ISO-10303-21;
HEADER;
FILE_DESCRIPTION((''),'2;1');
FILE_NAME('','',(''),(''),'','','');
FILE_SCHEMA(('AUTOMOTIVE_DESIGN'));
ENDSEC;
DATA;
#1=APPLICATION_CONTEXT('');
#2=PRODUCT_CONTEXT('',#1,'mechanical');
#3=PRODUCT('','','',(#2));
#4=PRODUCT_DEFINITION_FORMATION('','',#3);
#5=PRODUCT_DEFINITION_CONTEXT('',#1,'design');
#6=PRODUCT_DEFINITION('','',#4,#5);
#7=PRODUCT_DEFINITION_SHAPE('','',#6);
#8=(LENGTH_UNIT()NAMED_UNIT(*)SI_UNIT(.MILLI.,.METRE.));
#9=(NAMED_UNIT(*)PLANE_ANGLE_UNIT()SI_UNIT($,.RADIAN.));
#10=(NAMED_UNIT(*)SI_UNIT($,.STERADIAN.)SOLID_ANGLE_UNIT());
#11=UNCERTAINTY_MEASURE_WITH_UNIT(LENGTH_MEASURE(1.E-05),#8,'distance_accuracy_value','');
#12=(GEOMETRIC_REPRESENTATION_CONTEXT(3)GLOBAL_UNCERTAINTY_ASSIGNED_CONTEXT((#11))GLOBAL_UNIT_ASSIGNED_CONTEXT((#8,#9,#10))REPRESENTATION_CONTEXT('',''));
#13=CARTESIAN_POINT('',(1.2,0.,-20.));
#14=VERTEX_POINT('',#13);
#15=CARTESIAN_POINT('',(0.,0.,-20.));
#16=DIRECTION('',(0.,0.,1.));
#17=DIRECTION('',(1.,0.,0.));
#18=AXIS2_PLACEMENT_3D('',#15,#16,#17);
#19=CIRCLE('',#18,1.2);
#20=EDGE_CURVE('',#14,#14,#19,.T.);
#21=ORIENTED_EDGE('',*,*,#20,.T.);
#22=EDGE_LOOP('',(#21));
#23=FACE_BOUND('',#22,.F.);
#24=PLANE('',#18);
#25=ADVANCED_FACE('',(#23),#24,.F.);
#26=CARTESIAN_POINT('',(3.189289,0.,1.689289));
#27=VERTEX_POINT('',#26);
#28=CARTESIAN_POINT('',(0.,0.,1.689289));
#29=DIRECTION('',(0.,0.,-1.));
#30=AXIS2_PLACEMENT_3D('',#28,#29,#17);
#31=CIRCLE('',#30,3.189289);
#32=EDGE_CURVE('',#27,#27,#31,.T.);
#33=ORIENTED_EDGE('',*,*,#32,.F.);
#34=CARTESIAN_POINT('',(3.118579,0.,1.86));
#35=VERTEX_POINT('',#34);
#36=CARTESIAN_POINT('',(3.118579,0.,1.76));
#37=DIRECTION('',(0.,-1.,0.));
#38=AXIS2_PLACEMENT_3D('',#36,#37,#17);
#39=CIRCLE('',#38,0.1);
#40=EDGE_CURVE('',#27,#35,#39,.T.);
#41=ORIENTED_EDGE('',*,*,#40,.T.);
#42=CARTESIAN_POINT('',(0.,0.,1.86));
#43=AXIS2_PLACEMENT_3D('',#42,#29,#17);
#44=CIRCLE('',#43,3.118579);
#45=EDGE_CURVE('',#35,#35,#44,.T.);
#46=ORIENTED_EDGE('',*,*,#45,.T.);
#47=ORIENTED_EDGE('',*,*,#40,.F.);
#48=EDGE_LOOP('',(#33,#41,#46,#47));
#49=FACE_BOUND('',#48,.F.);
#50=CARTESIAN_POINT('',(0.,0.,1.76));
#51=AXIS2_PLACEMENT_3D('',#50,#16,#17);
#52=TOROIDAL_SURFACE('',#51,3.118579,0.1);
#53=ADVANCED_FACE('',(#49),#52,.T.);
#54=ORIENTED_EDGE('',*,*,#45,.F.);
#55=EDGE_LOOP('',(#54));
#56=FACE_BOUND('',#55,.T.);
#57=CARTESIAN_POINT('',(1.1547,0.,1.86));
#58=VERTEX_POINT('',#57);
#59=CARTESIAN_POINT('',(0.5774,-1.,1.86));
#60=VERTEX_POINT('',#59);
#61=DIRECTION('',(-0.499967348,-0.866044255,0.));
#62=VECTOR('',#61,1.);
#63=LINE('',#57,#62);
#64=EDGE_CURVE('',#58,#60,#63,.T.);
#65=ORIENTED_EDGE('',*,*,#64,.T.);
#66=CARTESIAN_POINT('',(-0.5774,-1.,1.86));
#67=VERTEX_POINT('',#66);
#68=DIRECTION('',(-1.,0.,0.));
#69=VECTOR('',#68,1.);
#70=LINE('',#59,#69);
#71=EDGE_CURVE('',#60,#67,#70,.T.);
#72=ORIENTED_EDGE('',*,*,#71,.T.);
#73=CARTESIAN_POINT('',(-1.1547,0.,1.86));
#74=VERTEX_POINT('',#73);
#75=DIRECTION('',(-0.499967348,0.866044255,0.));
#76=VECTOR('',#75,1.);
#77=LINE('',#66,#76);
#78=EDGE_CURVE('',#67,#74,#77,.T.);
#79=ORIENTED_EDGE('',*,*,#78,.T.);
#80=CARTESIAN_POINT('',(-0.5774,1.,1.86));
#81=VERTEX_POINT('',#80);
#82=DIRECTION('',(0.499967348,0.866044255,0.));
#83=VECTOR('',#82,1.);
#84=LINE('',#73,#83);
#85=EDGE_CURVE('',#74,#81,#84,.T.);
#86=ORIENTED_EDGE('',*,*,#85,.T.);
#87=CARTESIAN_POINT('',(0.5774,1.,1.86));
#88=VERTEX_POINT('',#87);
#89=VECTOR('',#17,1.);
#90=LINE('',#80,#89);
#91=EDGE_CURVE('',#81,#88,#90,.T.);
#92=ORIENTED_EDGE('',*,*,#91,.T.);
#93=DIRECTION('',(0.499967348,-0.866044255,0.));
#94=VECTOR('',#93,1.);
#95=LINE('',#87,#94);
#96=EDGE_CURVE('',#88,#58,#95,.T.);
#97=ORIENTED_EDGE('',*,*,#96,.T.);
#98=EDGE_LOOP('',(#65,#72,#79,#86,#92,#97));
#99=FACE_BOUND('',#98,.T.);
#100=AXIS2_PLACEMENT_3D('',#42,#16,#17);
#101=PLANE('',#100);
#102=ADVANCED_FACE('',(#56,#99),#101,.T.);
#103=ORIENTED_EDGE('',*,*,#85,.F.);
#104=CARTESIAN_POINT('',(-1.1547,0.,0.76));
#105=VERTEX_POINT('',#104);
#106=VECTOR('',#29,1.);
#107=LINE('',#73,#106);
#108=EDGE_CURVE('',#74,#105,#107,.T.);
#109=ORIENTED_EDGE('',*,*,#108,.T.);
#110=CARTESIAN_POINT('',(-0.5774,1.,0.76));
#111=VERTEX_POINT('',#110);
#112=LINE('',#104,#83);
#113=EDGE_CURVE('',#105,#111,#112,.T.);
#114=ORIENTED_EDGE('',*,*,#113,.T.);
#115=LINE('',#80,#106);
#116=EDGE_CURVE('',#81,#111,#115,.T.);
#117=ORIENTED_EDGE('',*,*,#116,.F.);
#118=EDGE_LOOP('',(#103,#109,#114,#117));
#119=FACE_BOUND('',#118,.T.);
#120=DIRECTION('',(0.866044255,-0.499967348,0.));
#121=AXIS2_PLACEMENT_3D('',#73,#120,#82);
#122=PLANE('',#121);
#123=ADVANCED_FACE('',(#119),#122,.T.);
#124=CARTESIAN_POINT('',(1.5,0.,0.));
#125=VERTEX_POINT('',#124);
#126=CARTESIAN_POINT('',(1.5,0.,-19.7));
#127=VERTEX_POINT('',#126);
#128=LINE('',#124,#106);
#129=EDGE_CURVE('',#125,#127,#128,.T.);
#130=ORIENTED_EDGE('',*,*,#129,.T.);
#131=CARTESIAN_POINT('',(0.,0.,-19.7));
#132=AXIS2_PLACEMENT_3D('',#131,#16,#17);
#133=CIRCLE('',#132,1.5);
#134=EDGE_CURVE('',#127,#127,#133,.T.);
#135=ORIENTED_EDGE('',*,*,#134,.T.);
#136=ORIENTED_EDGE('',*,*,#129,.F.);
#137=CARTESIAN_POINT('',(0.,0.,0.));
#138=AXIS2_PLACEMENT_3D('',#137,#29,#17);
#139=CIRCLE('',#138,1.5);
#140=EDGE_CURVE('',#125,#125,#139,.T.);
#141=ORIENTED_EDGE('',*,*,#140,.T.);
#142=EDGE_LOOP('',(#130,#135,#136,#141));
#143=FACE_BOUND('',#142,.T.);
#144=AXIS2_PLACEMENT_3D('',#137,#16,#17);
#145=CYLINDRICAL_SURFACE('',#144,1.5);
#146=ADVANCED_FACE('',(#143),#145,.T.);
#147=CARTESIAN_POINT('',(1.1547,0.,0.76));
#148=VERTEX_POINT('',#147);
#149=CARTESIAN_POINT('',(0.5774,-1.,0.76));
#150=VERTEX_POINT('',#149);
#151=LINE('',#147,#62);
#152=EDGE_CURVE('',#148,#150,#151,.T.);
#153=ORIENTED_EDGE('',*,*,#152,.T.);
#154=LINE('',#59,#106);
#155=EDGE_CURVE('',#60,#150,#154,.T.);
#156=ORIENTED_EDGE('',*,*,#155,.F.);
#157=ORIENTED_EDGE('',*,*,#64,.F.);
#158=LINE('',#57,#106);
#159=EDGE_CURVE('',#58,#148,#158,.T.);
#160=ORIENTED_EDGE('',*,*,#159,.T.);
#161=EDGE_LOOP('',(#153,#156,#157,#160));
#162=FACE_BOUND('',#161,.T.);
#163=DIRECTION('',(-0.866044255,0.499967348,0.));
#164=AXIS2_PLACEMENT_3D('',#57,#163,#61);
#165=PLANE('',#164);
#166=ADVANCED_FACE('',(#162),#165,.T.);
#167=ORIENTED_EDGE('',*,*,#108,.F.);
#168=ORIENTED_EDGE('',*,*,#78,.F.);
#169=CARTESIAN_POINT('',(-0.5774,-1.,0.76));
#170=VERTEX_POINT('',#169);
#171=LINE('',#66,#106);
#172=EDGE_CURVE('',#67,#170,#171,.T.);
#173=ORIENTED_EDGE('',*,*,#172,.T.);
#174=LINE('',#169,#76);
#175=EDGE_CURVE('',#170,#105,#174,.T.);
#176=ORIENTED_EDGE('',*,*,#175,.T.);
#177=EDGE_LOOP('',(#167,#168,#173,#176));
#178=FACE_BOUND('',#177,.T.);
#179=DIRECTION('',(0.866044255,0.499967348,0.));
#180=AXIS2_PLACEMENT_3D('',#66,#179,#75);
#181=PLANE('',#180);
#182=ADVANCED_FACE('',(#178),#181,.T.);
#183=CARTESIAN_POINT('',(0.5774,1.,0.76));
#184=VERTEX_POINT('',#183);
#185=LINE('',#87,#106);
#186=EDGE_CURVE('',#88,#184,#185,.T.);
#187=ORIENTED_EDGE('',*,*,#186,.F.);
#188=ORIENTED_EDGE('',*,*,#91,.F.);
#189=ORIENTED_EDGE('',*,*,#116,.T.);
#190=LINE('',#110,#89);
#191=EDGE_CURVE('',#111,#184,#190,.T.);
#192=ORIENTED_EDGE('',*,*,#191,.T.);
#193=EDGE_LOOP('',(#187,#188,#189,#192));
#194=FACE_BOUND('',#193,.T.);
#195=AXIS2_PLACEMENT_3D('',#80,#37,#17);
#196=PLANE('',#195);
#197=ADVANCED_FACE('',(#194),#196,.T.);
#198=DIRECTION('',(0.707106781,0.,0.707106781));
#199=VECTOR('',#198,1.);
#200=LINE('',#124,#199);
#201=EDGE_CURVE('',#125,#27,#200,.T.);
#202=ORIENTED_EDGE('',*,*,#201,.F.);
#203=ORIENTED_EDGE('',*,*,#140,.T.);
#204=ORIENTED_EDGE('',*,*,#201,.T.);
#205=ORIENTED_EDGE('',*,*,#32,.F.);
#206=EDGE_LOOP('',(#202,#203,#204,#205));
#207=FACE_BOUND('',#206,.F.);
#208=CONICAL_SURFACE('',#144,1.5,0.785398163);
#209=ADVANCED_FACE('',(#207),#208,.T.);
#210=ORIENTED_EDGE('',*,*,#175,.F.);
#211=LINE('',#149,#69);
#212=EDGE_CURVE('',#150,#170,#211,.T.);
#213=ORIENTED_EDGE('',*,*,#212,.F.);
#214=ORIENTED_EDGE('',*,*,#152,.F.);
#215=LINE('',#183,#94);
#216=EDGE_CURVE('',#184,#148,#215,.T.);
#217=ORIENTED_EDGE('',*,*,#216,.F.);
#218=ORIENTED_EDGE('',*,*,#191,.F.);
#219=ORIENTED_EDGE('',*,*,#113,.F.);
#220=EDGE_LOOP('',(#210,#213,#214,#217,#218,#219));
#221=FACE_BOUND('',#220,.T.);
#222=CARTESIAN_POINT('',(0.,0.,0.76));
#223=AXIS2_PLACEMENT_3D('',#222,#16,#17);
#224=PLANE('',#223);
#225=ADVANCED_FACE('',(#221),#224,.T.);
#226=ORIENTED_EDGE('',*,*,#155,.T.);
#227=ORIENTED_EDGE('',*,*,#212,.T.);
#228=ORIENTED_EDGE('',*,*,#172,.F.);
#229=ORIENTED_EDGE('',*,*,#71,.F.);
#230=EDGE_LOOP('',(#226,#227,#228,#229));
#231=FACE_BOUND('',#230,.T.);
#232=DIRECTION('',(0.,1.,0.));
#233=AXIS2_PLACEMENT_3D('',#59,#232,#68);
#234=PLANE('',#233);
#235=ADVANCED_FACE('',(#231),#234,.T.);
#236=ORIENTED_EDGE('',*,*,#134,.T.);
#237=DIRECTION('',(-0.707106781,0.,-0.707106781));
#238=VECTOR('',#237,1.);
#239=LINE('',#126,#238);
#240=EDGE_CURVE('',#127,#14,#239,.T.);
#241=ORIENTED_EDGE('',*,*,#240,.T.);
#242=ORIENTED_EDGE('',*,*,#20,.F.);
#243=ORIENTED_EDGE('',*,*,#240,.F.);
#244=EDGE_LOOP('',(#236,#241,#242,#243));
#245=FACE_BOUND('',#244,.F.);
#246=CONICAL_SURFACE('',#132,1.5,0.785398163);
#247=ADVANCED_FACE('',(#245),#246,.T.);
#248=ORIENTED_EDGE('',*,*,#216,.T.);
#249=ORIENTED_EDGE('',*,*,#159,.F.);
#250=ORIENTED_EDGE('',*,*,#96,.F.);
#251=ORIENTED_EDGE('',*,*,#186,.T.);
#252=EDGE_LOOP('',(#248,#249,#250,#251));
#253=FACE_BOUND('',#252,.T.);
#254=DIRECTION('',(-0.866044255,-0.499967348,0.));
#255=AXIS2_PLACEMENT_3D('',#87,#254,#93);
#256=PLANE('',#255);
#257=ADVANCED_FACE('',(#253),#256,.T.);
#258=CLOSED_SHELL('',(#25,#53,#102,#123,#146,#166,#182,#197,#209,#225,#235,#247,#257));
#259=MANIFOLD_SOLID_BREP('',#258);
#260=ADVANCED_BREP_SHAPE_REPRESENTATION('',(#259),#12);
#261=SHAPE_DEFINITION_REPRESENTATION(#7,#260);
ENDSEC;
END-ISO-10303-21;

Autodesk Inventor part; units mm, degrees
ref_plane "YZ Plane" through (0, 0, 0) normal (1, 0, 0) x (0, 1, 0)
ref_plane "XZ Plane" through (0, 0, 0) normal (0, 1, 0) x (-1, 0, 0)
ref_plane "XY Plane" through (0, 0, 0) normal (0, 0, 1) x (1, 0, 0)
sketch "Sketch2" plane through (0, 0, 0) normal (0, 0, 1) x (1, 0, 0)
  circle A0 centre (0, 0) radius 1.5
  dimension "Diameter" = 3
extrude "Extrusion1" add sketch "Sketch2" against normal blind 20
sketch "Sketch3" plane through (0, 0, 0) normal (0, 0, 1) x (1, 0, 0)
  circle A0 centre (0, 0) radius 1.5 projected
extrude "Extrusion2" add sketch "Sketch3" along normal blind 1.86 draft 45
sketch "Sketch4" plane through (0, 0, 1.86) normal (0, 0, 1) x (1, 0, 0)
  circle A0 centre (0, 0) radius 3.36 projected
  line L0 (0.5774, 1) -> (1.1547, 0)
  line L1 (1.1547, 0) -> (0.5774, -1)
  line L2 (0.5774, -1) -> (-0.5774, -1)
  line L3 (-0.5774, -1) -> (-1.1547, 0)
  line L4 (-1.1547, 0) -> (-0.5774, 1)
  line L5 (-0.5774, 1) -> (0.5774, 1)
  line L6 (0, 0) -> (1.1547, 0) construction
  dimension "Hex_Width" = 2
extrude "Extrusion3" cut sketch "Sketch4" against normal blind 1.1 contours L0 L1 L2 L3 L4 L5
thread "Thread1" size "M3x0.5" class "6g" standard "ANSI Metric M Profile-Short lst" length 20
chamfer "Chamfer1" distance 0.3 angle 45 1 edges at (-1.5, 0, -20)
fillet "Fillet1" radius 0.1 1 edges at (-3.36, 0, 1.86)
equation "\"Thread_Length\" = Length1"
equation "\"Length1\" = 20"
properties part number "SCREW,FLAT-HD,P,10_9,M03X0_50X20MM" material "Steel, MS"
